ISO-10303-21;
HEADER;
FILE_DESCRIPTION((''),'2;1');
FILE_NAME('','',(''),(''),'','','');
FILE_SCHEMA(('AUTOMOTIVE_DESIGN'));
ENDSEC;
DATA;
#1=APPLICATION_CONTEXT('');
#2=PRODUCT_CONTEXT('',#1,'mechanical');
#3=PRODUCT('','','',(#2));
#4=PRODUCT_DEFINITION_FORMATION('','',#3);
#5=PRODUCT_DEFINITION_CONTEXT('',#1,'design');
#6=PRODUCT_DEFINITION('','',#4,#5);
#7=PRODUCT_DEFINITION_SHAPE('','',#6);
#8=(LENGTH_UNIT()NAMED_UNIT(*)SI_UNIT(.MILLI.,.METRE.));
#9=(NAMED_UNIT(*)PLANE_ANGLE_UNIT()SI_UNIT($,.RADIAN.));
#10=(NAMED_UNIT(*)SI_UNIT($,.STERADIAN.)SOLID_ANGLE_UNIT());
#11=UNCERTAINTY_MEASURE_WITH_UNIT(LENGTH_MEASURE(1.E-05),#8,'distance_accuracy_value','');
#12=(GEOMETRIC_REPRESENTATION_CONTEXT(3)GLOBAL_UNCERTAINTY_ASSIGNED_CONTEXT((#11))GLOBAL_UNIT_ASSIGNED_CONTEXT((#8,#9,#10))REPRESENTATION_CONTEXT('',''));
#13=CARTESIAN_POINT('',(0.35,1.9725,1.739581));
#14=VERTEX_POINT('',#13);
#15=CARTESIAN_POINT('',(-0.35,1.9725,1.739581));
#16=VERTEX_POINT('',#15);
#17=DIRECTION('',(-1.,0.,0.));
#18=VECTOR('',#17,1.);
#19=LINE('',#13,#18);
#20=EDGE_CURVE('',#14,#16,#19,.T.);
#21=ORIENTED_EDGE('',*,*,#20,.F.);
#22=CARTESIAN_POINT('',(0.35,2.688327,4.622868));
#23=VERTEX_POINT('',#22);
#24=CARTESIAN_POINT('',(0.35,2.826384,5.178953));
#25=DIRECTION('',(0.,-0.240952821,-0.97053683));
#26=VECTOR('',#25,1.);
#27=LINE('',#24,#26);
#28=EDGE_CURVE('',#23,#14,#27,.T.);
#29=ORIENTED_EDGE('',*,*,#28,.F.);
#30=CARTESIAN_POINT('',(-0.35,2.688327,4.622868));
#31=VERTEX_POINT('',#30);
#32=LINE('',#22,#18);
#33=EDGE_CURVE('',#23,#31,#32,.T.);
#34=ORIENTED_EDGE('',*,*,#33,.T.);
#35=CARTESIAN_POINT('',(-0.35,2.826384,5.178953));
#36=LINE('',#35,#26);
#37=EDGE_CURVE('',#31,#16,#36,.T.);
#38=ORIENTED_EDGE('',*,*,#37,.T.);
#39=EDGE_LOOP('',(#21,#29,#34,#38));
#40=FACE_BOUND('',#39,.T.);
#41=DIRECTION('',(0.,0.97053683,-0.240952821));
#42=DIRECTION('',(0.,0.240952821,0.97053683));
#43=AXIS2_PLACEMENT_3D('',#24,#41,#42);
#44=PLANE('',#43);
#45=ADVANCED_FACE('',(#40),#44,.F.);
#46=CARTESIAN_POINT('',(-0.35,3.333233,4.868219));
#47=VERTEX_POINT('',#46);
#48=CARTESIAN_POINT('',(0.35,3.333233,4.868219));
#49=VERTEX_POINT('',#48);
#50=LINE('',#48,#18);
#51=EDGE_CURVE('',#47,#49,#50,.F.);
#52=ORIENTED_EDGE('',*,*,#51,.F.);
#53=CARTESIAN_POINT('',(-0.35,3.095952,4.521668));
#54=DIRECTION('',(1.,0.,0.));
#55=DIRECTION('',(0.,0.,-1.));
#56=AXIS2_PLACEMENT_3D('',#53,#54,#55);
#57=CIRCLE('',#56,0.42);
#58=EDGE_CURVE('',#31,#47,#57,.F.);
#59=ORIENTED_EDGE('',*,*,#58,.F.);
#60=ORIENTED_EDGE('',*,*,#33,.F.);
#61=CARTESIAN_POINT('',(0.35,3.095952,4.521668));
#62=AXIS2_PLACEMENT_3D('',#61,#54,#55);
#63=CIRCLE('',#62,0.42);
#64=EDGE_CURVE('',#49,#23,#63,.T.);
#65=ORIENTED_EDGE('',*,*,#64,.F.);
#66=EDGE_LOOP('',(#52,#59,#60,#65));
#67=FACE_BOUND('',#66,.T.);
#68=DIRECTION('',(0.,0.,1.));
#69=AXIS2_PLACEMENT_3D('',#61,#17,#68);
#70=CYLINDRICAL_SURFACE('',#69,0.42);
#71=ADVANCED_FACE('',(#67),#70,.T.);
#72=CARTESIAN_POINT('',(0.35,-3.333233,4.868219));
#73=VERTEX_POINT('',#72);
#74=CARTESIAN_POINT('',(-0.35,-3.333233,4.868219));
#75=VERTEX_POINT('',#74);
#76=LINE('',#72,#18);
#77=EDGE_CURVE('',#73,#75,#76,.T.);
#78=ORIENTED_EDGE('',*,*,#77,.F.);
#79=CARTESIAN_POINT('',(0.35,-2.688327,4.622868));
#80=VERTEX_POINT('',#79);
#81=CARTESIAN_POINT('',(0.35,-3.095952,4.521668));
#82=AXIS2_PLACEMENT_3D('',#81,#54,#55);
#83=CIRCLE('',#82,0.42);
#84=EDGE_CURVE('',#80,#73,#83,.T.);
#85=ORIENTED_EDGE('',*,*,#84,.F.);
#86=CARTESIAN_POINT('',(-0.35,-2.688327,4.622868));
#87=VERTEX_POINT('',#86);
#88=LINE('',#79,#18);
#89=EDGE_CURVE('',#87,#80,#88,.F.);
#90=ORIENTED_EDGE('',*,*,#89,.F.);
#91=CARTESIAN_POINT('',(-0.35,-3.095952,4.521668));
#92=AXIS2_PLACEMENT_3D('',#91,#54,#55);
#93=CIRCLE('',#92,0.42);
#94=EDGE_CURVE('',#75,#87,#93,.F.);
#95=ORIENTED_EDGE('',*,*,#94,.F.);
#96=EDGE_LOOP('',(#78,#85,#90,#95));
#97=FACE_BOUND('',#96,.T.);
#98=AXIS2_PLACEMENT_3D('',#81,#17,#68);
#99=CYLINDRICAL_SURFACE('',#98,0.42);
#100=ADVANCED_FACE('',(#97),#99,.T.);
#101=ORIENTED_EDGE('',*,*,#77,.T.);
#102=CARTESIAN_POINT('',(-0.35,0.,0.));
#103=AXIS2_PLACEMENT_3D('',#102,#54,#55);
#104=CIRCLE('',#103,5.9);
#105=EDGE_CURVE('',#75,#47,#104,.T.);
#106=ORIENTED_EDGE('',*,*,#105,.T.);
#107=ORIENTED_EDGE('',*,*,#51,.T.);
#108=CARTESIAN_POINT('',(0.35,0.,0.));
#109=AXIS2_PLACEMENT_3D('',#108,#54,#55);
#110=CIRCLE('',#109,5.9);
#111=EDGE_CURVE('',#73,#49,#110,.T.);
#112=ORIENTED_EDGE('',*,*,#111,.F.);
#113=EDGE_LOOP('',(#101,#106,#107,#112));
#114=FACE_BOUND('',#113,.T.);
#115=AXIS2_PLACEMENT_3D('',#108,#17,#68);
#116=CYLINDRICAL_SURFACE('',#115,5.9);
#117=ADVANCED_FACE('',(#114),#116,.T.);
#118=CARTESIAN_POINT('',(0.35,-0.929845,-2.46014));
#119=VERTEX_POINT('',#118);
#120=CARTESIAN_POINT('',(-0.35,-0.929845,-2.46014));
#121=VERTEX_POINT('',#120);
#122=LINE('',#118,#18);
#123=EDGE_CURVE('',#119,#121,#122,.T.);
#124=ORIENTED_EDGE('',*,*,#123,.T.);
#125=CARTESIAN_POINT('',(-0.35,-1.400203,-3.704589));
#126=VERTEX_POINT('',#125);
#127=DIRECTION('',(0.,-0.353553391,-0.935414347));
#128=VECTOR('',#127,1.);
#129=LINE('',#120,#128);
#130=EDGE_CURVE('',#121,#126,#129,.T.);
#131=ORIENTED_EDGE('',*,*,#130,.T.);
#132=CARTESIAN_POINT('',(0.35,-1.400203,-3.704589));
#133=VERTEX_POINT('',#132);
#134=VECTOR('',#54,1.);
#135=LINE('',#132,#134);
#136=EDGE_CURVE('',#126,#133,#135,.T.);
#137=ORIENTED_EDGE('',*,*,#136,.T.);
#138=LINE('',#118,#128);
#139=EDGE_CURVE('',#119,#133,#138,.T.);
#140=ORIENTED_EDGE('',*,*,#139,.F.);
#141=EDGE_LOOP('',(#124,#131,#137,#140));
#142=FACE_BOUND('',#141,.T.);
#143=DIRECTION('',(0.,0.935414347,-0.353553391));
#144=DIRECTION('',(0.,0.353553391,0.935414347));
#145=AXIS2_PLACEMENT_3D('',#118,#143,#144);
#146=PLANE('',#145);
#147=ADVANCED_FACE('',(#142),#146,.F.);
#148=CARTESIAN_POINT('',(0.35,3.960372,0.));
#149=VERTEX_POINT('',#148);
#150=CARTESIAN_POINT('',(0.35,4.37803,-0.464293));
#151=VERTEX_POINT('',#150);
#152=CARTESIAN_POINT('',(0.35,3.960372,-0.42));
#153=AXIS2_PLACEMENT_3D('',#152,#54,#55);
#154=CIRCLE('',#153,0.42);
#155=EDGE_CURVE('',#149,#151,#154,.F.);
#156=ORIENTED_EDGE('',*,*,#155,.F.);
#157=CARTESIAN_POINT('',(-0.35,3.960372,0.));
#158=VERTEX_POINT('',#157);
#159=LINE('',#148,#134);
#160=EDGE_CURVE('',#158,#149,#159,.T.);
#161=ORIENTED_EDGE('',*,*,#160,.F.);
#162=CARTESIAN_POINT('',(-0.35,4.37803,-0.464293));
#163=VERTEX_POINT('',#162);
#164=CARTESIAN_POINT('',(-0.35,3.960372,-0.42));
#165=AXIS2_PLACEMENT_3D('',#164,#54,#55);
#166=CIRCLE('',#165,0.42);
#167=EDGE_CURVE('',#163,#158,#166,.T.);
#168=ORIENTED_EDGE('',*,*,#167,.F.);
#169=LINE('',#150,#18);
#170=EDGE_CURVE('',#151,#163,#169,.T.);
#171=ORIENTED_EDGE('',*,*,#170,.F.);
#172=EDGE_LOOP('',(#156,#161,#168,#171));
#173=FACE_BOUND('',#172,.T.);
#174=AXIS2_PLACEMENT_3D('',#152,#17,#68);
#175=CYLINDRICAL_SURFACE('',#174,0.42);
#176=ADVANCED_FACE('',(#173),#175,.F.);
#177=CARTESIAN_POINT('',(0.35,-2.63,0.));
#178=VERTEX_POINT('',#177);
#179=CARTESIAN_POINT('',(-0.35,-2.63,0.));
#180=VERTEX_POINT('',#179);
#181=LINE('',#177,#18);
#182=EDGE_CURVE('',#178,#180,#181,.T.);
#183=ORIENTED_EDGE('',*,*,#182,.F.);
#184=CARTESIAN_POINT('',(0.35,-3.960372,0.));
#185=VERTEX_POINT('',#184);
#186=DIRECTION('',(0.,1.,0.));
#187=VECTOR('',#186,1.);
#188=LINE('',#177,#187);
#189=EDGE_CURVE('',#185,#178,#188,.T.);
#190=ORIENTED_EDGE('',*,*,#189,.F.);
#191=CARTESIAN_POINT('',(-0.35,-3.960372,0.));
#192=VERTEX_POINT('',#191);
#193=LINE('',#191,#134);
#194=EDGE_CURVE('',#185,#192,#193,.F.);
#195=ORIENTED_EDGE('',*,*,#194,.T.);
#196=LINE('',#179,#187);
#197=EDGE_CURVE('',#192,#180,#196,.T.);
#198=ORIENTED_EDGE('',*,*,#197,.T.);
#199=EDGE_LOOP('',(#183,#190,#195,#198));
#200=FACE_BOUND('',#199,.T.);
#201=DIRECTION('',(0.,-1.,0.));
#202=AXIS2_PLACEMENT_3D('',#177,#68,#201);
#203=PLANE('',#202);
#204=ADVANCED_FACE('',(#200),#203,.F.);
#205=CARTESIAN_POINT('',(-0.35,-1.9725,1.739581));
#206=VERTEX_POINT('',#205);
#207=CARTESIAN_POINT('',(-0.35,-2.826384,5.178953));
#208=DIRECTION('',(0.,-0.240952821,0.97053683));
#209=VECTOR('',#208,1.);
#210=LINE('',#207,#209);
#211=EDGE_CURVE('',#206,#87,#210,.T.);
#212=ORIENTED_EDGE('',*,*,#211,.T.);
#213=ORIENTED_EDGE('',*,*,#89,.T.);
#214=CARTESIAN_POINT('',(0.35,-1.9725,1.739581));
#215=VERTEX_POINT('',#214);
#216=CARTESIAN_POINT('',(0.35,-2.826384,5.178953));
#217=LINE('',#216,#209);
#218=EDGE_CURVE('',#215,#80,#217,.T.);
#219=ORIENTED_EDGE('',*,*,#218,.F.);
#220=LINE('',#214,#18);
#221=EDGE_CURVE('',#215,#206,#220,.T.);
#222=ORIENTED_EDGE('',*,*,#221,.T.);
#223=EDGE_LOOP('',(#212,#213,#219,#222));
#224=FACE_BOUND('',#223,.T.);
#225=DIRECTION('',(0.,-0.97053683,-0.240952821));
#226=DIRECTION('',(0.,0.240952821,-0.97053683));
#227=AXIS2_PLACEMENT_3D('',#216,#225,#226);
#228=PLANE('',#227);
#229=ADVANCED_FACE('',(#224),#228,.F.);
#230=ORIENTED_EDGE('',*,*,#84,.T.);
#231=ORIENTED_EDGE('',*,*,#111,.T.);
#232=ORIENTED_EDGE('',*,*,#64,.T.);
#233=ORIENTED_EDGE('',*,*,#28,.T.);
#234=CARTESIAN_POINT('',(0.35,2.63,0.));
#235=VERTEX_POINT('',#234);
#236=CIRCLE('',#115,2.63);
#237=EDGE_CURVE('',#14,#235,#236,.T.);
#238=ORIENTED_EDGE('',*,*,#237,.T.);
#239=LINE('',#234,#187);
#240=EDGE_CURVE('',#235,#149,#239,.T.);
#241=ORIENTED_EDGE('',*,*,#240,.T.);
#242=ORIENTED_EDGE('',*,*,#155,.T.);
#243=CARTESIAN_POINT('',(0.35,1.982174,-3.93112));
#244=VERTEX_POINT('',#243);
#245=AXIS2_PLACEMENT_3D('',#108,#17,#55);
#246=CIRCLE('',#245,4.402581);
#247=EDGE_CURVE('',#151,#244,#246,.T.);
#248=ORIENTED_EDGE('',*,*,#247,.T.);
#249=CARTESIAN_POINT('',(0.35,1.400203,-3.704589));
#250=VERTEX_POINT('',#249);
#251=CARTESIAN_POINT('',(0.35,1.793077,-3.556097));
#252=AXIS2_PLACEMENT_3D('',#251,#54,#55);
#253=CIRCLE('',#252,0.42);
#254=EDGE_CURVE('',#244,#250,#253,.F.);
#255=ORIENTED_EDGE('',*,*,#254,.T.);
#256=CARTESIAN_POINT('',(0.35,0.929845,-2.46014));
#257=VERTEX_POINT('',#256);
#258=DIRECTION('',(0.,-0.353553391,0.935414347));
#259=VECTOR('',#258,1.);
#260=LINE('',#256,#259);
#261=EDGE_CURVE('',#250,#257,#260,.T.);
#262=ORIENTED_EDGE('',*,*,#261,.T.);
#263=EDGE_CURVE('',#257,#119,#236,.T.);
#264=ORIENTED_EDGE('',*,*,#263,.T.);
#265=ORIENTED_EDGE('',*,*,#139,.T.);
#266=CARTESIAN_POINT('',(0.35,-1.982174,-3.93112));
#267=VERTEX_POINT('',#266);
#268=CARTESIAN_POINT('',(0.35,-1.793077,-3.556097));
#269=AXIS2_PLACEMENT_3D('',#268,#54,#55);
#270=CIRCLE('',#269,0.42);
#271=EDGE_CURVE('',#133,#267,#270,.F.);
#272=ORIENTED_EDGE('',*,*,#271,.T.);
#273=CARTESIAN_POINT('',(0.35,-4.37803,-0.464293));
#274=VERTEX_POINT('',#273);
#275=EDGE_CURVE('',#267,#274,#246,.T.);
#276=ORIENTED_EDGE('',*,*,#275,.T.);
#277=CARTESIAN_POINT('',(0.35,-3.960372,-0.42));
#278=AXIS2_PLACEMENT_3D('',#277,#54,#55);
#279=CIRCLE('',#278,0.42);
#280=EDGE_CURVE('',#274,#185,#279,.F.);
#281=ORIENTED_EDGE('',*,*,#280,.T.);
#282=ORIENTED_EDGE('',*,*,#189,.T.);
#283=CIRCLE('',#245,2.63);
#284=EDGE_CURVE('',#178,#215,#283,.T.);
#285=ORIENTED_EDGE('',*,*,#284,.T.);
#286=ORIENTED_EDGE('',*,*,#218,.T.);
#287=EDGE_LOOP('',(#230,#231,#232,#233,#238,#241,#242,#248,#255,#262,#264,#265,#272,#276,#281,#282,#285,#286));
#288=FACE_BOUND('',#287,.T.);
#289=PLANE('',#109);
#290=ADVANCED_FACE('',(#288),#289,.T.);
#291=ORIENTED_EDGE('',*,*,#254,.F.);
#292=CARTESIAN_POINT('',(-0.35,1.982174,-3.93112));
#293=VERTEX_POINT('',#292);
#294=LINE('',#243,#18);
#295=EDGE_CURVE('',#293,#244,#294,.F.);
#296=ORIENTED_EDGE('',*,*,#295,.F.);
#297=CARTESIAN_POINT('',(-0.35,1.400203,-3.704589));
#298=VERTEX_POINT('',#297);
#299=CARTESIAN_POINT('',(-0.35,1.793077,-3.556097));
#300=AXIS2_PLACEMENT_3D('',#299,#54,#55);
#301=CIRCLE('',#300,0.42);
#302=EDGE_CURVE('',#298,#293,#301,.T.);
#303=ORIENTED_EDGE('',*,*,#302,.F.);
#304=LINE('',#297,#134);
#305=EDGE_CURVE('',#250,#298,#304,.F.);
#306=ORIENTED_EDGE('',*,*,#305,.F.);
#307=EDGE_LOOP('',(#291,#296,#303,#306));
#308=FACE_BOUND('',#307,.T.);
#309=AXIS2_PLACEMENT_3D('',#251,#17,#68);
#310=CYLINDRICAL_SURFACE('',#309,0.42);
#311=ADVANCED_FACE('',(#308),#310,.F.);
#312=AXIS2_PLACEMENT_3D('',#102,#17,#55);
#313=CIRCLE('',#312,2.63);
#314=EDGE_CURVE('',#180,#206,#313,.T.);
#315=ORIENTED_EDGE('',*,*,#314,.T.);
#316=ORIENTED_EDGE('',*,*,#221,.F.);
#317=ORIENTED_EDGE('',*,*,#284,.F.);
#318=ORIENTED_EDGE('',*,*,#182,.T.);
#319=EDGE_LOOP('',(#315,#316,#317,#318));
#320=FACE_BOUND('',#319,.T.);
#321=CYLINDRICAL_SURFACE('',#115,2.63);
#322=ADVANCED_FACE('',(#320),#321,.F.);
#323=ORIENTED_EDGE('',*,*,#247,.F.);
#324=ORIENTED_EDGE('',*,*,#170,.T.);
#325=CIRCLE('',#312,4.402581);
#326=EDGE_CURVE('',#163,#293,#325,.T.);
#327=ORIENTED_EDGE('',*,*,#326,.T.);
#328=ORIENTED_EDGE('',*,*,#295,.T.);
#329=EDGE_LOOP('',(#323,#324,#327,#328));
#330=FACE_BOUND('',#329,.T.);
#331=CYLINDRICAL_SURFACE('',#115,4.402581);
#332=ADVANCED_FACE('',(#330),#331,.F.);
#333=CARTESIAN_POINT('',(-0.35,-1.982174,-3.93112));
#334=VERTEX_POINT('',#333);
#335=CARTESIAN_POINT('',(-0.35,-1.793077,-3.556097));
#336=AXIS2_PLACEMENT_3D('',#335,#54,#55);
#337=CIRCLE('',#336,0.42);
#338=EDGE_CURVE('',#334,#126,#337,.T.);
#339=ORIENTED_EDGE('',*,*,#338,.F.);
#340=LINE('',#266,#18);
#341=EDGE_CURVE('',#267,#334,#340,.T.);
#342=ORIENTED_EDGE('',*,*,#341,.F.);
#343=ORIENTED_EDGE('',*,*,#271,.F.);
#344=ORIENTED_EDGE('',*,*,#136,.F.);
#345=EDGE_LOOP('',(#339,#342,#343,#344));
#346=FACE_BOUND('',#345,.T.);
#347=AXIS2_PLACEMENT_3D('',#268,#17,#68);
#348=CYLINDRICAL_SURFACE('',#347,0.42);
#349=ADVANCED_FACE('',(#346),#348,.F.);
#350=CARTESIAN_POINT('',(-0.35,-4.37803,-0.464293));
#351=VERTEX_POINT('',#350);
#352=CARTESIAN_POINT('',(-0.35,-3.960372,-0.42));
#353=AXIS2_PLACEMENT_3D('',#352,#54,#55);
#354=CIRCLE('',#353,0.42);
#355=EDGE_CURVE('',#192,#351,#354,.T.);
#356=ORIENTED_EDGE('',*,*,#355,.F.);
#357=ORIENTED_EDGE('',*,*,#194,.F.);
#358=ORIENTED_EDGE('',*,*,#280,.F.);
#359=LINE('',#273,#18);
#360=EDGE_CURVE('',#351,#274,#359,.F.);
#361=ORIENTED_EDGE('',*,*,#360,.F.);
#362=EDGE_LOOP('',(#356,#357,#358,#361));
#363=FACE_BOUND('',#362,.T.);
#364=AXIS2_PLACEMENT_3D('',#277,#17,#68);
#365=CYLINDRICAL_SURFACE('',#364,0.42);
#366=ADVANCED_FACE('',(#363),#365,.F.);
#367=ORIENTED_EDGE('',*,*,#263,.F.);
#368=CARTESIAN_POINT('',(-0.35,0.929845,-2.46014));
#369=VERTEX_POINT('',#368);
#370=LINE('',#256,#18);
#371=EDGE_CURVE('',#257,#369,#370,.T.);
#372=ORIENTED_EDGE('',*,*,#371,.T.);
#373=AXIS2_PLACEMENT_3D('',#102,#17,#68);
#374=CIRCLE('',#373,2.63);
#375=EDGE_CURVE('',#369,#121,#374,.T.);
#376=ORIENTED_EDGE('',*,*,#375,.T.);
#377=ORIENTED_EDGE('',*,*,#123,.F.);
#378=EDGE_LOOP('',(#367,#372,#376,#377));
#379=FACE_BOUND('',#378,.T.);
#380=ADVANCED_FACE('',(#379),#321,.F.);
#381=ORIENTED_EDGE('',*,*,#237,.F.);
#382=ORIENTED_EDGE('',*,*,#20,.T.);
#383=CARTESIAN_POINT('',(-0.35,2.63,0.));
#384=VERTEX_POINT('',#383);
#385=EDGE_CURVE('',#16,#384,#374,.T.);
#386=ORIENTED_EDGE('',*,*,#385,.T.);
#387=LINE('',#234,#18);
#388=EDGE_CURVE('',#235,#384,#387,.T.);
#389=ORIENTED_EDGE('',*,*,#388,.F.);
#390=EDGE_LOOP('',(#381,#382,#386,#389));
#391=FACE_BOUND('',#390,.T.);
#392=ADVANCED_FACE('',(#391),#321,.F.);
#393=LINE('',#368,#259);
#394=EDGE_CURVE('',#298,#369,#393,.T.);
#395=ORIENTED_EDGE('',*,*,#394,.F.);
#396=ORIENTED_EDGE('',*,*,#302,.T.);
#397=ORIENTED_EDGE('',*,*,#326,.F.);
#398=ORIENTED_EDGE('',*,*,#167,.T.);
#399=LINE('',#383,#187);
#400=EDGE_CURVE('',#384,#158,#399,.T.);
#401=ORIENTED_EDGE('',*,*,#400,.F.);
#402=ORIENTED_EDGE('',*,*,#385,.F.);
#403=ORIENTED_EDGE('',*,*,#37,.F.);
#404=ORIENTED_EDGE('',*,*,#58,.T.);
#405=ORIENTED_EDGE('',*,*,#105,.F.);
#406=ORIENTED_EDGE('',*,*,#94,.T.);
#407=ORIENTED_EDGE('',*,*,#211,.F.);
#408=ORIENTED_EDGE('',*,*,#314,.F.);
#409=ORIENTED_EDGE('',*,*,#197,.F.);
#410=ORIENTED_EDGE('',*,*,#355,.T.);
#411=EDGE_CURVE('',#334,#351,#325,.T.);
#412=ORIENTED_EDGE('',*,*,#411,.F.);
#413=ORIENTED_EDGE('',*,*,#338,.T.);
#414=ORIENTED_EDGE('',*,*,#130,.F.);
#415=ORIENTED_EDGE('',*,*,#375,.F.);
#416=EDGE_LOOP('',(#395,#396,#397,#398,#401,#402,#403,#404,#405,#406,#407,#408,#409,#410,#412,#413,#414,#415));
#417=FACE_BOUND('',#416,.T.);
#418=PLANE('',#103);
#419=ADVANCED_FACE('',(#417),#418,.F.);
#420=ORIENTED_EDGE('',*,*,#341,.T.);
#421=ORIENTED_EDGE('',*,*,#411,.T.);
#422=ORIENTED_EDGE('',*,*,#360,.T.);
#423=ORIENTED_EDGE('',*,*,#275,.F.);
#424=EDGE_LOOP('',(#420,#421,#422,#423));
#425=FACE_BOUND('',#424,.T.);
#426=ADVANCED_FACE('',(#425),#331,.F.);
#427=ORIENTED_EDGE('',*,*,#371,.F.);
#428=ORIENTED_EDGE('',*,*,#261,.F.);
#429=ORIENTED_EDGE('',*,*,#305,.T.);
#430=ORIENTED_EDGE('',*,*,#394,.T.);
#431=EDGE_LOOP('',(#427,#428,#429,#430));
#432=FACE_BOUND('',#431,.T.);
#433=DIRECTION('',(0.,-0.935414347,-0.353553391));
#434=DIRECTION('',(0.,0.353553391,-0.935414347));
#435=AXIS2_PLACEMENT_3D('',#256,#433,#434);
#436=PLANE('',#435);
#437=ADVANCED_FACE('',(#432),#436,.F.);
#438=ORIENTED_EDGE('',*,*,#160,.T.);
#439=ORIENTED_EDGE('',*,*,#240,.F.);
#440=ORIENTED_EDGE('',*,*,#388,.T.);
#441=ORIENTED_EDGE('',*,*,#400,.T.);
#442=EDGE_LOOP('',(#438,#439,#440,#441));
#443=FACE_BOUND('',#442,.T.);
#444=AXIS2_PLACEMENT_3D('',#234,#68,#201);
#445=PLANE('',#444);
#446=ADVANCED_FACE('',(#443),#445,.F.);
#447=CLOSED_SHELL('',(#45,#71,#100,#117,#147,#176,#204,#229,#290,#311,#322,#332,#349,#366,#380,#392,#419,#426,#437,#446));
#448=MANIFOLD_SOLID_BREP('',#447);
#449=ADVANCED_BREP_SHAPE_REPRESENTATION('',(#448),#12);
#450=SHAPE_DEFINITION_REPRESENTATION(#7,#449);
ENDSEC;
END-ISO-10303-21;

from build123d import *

# Parameters (mm, degrees)
EXTRUDE1_DEPTH = 0.35
FILLET1_R      = 0.42


with BuildPart() as part:
    # Sketch1 → Extrude1 (new body, symmetric)
    with BuildSketch(Plane(origin=(0, 0, 0), x_dir=(0, 0, -1), z_dir=(1, 0, 0))):
        with BuildLine():
            Line((-5.178952745, -2.826384345), (-1.739581487, -1.9725))
            ThreePointArc((-1.739581487, -1.9725), (-0.929845417, -2.460139732), (0, -2.63))
            Line((0, -2.63), (0, -4.402580645))
            ThreePointArc((0, -4.402580645), (2.502987341, -3.621846312), (4.118237098, -1.556547314))
            Line((4.118237098, -1.556547314), (2.460139732, -0.929845417))
            ThreePointArc((2.460139732, -0.929845417), (2.63, 0), (2.460139732, 0.929845417))
            Line((2.460139732, 0.929845417), (4.118237098, 1.556547314))
            ThreePointArc((4.118237098, 1.556547314), (2.502987341, 3.621846312), (0, 4.402580645))
            Line((0, 4.402580645), (0, 2.63))
            ThreePointArc((0, 2.63), (-0.929845417, 2.460139732), (-1.739581487, 1.9725))
            Line((-1.739581487, 1.9725), (-5.178952745, 2.826384345))
            ThreePointArc((-5.178952745, 2.826384345), (5.9, 0), (-5.178952745, -2.826384345))
        make_face()
    extrude(amount=EXTRUDE1_DEPTH, both=True)

    # Fillet1
    fillet1_edges = [part.edges().sort_by_distance(p)[0] for p in [
        (0, -2.826384345, 5.178952745),
        (0, -4.402580645, 0),
        (0, -1.556547314, -4.118237098),
        (0, 1.556547314, -4.118237098),
        (0, 4.402580645, 0),
        (0, 2.826384345, 5.178952745),
    ]]
    fillet(fillet1_edges, radius=FILLET1_R)


solid = part.part
